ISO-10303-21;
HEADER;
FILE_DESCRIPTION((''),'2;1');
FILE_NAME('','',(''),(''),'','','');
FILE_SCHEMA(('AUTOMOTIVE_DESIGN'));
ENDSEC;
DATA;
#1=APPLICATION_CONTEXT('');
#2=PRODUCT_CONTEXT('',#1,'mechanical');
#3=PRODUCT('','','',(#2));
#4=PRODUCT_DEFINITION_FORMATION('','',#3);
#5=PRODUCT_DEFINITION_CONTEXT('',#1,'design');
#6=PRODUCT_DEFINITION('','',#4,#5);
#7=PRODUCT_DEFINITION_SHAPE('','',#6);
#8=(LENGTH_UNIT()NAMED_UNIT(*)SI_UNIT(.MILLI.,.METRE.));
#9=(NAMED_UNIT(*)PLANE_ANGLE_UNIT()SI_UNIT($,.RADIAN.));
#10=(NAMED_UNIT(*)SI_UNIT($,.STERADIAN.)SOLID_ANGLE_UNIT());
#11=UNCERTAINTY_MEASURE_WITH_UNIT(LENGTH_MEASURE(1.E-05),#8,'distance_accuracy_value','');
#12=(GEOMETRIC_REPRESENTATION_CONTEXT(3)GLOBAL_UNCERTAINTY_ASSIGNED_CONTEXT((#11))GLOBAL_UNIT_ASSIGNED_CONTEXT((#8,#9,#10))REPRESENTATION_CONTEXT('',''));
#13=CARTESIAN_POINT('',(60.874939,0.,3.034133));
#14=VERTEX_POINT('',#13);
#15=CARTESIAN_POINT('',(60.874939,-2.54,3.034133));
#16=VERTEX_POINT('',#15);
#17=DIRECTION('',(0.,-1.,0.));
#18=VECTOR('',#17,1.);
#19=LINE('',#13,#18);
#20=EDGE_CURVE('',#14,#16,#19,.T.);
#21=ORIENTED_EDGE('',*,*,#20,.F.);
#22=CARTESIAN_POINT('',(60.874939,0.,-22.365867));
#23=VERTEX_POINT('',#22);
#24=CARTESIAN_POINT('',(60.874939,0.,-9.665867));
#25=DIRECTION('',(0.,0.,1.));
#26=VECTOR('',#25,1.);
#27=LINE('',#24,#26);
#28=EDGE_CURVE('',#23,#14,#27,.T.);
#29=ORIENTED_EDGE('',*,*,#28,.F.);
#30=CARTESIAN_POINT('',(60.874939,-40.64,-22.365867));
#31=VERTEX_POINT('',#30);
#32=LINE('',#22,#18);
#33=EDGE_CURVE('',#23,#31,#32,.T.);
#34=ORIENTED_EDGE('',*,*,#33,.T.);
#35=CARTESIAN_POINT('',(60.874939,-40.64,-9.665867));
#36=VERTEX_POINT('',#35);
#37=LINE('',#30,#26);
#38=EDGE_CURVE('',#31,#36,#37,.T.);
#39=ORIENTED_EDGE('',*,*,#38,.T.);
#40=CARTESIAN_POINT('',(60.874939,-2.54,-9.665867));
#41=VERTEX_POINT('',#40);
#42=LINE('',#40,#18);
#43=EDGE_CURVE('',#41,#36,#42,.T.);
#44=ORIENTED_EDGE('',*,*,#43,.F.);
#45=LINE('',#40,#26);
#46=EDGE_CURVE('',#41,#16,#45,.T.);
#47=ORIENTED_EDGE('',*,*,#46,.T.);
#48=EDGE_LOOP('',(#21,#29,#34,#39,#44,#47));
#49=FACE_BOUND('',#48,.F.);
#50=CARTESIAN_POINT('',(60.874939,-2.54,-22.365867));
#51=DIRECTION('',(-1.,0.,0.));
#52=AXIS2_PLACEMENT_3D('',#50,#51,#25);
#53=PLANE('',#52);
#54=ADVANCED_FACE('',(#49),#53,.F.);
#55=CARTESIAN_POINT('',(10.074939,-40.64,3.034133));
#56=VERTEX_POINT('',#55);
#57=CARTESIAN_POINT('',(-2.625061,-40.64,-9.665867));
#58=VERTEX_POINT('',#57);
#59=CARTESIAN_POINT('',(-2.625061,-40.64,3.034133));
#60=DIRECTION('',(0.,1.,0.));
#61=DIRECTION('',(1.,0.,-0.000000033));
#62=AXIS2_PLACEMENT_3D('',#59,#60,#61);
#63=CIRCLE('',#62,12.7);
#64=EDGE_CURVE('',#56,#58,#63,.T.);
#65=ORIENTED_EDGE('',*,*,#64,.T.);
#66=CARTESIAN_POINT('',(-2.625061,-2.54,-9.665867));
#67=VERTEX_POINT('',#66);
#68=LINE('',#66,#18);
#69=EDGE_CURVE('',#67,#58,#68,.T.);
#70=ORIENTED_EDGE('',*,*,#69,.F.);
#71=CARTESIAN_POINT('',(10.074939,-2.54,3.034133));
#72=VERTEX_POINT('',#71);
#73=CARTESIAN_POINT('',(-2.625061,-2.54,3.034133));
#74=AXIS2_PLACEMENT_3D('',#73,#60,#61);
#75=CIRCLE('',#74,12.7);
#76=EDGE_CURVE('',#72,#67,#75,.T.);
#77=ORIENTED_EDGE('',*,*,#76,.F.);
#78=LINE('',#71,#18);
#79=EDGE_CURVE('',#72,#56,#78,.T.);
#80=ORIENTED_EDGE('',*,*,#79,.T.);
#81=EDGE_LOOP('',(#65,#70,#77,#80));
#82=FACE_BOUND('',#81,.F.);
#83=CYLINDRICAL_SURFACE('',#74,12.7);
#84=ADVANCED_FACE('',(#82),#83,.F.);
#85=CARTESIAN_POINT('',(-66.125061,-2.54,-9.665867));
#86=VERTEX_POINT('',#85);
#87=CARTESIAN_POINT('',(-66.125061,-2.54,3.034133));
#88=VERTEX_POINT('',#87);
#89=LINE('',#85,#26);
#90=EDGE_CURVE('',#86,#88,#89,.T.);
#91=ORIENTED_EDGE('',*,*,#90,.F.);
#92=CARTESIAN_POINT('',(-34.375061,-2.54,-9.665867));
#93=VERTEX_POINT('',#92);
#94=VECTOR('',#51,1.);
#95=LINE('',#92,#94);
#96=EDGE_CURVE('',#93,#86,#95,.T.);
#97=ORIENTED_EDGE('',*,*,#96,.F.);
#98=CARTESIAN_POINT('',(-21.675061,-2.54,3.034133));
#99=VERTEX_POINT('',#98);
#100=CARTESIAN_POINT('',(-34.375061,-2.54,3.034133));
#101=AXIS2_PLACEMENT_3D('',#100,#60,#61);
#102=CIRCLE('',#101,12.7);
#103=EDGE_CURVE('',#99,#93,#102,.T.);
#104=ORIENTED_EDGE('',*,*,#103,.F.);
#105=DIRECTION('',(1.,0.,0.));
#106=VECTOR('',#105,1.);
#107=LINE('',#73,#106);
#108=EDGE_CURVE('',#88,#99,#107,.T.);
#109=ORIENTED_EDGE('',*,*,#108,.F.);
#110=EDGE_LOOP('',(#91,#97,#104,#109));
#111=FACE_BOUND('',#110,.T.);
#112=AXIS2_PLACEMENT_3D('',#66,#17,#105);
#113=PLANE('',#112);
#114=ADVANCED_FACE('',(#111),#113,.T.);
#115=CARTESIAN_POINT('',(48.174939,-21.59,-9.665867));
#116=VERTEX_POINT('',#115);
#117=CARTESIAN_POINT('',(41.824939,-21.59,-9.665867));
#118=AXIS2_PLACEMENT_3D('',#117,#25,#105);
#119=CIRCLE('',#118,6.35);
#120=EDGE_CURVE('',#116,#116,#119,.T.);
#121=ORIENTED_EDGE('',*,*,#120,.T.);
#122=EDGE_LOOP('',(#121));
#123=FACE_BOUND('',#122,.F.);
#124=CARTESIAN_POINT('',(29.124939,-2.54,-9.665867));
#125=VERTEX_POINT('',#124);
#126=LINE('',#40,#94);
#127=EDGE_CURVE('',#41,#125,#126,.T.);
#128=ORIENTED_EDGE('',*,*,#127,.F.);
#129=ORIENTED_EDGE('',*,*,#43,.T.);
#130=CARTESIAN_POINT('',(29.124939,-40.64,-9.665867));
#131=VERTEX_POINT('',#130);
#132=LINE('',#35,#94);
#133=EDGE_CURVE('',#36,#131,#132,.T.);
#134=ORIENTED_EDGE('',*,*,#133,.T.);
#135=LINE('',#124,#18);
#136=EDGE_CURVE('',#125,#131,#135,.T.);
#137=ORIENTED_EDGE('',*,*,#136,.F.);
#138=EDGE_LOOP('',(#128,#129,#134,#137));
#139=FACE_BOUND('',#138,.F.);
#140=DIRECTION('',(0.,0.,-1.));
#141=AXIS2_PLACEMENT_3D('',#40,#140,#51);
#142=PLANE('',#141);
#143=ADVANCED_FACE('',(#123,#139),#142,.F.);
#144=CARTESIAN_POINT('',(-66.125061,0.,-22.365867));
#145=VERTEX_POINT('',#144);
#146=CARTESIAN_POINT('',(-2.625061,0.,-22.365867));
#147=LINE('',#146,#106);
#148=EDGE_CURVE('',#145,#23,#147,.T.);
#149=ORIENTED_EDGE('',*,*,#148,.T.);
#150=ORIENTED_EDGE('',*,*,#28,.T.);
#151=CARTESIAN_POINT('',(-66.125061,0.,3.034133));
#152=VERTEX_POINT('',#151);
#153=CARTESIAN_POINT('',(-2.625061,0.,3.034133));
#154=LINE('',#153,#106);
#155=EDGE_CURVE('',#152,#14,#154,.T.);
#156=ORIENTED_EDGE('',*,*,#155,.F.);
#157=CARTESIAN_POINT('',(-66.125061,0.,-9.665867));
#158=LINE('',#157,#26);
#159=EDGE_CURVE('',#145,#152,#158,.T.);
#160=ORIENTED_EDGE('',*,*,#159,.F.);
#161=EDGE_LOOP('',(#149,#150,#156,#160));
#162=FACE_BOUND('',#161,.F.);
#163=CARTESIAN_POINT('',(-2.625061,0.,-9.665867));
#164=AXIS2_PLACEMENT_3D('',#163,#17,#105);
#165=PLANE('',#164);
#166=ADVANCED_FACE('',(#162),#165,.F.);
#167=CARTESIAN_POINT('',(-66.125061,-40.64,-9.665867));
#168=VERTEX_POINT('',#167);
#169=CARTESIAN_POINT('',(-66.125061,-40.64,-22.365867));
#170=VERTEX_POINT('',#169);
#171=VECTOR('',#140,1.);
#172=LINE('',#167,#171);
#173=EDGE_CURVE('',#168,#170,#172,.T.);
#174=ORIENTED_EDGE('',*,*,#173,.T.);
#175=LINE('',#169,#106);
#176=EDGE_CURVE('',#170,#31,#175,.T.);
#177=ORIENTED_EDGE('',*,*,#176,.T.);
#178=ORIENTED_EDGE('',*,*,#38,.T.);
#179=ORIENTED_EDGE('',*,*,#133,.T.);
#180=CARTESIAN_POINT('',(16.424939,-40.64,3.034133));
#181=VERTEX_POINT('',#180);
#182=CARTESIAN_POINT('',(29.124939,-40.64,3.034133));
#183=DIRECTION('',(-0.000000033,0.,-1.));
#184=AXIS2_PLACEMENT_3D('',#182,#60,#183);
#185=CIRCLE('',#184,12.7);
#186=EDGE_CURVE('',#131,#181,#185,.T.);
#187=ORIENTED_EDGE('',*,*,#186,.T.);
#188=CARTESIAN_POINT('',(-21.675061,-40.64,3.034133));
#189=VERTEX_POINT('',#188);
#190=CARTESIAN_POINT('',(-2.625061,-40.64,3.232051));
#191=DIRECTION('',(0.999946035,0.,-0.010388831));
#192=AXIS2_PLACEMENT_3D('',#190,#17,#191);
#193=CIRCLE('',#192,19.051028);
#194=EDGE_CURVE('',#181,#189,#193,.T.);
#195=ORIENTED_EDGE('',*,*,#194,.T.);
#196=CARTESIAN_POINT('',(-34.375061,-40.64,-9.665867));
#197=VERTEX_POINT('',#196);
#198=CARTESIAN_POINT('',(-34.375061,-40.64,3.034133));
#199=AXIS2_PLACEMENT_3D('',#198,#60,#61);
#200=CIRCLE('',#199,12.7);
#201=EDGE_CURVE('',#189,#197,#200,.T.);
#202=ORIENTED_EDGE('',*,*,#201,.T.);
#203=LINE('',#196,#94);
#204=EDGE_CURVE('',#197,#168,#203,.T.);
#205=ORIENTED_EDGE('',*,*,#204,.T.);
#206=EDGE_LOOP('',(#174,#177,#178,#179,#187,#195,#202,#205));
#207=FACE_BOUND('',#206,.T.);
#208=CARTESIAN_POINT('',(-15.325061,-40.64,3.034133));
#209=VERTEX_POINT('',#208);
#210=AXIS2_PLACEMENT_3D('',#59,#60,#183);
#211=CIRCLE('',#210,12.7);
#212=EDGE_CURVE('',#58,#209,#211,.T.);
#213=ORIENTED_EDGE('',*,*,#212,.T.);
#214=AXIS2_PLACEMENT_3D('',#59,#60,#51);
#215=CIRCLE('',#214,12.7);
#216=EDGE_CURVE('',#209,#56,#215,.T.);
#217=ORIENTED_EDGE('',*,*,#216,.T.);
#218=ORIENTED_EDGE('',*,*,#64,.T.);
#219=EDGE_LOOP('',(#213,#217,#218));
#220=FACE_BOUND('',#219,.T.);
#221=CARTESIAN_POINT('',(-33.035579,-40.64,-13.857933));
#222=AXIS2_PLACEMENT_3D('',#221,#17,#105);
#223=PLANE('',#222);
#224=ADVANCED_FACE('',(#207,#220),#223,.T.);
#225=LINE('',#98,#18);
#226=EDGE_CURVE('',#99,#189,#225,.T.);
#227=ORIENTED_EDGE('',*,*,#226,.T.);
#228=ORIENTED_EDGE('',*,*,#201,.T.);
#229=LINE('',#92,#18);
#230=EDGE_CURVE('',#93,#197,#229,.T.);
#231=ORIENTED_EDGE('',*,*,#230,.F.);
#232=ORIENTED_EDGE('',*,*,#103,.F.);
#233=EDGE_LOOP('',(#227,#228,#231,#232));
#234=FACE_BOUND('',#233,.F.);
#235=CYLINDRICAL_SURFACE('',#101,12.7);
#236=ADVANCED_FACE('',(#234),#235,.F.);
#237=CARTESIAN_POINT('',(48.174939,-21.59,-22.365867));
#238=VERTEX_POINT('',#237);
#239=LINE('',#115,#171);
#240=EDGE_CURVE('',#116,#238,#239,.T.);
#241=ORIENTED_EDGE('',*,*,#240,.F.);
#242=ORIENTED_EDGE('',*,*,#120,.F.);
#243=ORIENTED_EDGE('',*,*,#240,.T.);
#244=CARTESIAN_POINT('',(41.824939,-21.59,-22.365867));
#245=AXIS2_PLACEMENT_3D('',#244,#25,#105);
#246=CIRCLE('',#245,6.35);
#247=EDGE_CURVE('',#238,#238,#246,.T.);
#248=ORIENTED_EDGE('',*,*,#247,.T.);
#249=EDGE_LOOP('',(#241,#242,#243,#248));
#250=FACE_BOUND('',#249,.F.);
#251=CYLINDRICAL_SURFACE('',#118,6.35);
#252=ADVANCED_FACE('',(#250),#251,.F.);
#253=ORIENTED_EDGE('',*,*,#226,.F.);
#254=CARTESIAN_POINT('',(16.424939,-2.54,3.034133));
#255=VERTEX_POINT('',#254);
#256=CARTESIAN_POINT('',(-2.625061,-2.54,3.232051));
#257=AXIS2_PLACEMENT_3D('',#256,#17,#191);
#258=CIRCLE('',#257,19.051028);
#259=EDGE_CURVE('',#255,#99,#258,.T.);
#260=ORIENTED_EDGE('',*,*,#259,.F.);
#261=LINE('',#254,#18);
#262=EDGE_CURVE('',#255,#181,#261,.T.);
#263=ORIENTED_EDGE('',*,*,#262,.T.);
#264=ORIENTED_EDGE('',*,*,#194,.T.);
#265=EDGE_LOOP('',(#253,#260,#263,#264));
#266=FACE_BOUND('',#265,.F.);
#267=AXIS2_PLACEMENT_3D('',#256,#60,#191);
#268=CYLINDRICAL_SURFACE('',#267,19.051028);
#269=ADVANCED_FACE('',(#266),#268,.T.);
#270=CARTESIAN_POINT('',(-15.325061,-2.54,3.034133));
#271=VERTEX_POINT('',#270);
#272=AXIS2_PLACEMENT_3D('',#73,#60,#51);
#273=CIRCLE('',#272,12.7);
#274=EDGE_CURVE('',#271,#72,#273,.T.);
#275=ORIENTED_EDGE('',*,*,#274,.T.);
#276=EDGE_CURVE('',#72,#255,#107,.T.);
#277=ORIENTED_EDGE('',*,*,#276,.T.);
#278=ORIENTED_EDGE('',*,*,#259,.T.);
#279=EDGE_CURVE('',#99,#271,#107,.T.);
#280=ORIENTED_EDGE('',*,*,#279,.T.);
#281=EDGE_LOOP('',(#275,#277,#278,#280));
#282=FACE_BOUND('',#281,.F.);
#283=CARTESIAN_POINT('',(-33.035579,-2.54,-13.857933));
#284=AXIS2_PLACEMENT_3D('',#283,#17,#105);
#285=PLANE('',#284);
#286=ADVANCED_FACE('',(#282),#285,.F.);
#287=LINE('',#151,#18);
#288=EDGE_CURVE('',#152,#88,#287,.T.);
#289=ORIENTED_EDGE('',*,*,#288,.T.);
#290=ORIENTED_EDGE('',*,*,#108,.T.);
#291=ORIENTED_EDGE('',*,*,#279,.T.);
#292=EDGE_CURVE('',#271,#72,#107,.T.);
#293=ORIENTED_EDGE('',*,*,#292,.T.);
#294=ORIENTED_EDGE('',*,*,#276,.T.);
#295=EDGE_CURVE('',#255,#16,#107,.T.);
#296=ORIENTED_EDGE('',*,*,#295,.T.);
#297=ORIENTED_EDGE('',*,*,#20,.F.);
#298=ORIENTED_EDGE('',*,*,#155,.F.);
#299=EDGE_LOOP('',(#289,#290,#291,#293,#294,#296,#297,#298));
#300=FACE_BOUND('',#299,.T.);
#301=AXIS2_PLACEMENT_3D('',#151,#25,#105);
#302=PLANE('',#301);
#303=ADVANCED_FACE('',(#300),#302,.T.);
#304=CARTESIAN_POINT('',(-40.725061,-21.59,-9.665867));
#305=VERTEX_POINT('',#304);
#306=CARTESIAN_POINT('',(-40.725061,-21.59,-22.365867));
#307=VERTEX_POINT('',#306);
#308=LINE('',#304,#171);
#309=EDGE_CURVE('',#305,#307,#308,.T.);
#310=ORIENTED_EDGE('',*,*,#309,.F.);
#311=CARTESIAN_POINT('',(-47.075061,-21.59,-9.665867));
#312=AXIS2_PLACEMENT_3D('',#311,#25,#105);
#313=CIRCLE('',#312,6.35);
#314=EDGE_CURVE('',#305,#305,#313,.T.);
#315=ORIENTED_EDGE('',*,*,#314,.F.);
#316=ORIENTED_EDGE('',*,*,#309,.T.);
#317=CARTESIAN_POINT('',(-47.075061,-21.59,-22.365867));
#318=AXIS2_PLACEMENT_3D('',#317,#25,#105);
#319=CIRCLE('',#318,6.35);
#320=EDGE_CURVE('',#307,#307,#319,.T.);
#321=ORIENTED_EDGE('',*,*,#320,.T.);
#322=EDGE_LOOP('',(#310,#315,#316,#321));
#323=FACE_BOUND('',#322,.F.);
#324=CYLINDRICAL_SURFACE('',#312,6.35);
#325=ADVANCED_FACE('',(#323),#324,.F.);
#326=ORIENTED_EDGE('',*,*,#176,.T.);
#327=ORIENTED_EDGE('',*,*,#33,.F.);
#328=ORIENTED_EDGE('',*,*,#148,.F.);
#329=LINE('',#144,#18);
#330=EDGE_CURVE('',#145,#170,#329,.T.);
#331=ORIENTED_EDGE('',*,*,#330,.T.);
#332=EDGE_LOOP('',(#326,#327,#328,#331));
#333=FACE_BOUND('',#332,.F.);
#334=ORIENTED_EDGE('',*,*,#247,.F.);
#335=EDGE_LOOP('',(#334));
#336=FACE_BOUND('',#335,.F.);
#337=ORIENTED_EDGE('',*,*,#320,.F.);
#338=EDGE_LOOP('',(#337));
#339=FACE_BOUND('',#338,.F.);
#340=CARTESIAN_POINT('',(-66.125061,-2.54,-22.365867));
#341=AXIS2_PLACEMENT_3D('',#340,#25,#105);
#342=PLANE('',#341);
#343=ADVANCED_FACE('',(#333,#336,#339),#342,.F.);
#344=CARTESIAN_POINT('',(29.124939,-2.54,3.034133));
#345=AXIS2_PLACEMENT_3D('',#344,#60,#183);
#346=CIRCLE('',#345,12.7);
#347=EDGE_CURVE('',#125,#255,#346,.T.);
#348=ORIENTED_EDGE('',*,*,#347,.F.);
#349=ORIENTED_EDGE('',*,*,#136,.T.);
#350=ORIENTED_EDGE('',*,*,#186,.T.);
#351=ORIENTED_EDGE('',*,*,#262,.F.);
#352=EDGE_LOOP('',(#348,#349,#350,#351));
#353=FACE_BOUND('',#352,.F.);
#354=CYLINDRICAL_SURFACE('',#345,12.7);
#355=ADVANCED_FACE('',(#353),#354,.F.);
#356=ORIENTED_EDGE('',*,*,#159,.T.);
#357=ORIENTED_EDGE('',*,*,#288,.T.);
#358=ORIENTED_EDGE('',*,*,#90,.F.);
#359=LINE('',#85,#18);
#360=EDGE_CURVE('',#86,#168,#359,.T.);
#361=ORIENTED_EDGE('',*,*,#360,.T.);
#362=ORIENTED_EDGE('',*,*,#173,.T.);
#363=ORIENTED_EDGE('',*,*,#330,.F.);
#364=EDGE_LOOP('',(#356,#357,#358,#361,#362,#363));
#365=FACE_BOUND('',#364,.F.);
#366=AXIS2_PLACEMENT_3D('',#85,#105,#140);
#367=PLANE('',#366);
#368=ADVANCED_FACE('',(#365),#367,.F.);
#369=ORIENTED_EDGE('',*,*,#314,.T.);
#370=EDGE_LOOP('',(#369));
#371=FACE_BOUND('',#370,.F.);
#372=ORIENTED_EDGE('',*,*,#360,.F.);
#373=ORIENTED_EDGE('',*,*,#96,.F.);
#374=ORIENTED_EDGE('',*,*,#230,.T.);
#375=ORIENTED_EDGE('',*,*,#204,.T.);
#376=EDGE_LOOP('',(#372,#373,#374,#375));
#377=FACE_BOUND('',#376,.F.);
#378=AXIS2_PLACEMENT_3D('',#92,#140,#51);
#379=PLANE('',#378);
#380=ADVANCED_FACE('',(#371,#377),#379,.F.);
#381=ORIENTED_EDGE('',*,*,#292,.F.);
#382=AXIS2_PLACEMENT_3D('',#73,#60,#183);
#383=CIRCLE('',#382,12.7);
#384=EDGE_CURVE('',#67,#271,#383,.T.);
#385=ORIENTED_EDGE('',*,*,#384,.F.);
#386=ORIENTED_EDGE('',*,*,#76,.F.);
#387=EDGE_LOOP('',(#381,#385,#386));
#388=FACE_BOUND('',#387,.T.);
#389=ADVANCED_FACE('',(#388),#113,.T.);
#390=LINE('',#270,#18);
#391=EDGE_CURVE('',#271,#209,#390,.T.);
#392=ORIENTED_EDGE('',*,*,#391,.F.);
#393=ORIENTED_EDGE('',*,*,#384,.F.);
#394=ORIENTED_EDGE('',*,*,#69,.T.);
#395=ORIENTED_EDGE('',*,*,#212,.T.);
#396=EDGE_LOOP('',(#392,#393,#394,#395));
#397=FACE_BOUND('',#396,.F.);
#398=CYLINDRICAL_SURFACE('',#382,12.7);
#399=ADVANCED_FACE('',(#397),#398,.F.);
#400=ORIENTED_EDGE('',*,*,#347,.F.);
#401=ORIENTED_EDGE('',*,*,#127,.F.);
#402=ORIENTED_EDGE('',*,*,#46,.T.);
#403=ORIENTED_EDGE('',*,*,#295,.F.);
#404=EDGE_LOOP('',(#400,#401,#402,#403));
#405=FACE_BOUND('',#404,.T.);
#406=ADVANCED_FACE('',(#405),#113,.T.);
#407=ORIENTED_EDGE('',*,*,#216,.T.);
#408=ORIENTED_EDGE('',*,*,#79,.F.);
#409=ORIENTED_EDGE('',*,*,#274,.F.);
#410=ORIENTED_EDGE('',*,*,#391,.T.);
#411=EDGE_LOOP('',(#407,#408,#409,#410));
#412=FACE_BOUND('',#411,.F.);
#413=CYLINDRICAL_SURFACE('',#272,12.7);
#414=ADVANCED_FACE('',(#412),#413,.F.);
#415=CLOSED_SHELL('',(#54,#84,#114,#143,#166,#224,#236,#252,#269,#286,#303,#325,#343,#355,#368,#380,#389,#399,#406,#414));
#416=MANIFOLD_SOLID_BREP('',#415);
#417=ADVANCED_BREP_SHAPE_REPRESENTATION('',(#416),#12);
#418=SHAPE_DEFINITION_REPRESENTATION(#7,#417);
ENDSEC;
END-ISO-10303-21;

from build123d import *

# Parameters (mm, degrees)
F0_W     = 127
F0_H     = 25.4
F1_DEPTH = 2.54
F3_DEPTH = 38.1
F4_R     = 6.35
F5_DEPTH = 25.4


with BuildPart() as f1:
    # F0 (on Front) → F1 (new body)
    with BuildSketch(Plane.XZ):
        with Locations((-2.625061, -9.665867)):
            Rectangle(F0_W, F0_H)
    extrude(amount=F1_DEPTH)

    # F2 (on face) → F3 (join)
    with BuildSketch(Plane.XZ.offset(2.54)):
        with BuildLine():
            Line((-43.24917, -9.665867), (-66.125061, -9.665867))
            Line((-66.125061, -9.665867), (-66.125061, -22.365867))
            Line((-66.125061, -22.365867), (-2.625061, -22.365867))
            Line((-2.625061, -22.365867), (-2.625061, -9.665867))
            ThreePointArc((-2.625061, -9.665867), (-11.605317, -5.946123), (-15.325061, 3.034133))
            Line((-15.325061, 3.034133), (-21.675061, 3.034133))
            ThreePointArc((-21.675061, 3.034133), (-25.394805, -5.946123), (-34.375061, -9.665867))
            Line((-34.375061, -9.665867), (-43.24917, -9.665867))
        make_face()
        with BuildLine():
            ThreePointArc((16.424939, 3.034133), (-2.625061, 22.283079), (-21.675061, 3.034133))
            Line((-21.675061, 3.034133), (-15.325061, 3.034133))
            ThreePointArc((-15.325061, 3.034133), (-2.625061, 15.734133), (10.074939, 3.034133))
            Line((10.074939, 3.034133), (16.424939, 3.034133))
        make_face()
        with BuildLine():
            Line((-2.625061, -9.665867), (-2.625061, -22.365867))
            Line((-2.625061, -22.365867), (60.874939, -22.365867))
            Line((60.874939, -22.365867), (60.874939, -9.665867))
            Line((60.874939, -9.665867), (37.999048, -9.665867))
            Line((37.999048, -9.665867), (29.124939, -9.665867))
            ThreePointArc((29.124939, -9.665867), (20.144683, -5.946123), (16.424939, 3.034133))
            Line((16.424939, 3.034133), (10.074939, 3.034133))
            ThreePointArc((10.074939, 3.034133), (6.355195, -5.946123), (-2.625061, -9.665867))
        make_face()
    extrude(amount=F3_DEPTH)

    # F4 (on face) → F5 (cut)
    with BuildSketch(Plane.XY.offset(-9.665867)):
        with Locations((41.824939, -21.59)):
            Circle(F4_R)
        with Locations((-47.075061, -21.59)):
            Circle(F4_R)
    extrude(amount=-F5_DEPTH, mode=Mode.SUBTRACT)


solid = f1.part
